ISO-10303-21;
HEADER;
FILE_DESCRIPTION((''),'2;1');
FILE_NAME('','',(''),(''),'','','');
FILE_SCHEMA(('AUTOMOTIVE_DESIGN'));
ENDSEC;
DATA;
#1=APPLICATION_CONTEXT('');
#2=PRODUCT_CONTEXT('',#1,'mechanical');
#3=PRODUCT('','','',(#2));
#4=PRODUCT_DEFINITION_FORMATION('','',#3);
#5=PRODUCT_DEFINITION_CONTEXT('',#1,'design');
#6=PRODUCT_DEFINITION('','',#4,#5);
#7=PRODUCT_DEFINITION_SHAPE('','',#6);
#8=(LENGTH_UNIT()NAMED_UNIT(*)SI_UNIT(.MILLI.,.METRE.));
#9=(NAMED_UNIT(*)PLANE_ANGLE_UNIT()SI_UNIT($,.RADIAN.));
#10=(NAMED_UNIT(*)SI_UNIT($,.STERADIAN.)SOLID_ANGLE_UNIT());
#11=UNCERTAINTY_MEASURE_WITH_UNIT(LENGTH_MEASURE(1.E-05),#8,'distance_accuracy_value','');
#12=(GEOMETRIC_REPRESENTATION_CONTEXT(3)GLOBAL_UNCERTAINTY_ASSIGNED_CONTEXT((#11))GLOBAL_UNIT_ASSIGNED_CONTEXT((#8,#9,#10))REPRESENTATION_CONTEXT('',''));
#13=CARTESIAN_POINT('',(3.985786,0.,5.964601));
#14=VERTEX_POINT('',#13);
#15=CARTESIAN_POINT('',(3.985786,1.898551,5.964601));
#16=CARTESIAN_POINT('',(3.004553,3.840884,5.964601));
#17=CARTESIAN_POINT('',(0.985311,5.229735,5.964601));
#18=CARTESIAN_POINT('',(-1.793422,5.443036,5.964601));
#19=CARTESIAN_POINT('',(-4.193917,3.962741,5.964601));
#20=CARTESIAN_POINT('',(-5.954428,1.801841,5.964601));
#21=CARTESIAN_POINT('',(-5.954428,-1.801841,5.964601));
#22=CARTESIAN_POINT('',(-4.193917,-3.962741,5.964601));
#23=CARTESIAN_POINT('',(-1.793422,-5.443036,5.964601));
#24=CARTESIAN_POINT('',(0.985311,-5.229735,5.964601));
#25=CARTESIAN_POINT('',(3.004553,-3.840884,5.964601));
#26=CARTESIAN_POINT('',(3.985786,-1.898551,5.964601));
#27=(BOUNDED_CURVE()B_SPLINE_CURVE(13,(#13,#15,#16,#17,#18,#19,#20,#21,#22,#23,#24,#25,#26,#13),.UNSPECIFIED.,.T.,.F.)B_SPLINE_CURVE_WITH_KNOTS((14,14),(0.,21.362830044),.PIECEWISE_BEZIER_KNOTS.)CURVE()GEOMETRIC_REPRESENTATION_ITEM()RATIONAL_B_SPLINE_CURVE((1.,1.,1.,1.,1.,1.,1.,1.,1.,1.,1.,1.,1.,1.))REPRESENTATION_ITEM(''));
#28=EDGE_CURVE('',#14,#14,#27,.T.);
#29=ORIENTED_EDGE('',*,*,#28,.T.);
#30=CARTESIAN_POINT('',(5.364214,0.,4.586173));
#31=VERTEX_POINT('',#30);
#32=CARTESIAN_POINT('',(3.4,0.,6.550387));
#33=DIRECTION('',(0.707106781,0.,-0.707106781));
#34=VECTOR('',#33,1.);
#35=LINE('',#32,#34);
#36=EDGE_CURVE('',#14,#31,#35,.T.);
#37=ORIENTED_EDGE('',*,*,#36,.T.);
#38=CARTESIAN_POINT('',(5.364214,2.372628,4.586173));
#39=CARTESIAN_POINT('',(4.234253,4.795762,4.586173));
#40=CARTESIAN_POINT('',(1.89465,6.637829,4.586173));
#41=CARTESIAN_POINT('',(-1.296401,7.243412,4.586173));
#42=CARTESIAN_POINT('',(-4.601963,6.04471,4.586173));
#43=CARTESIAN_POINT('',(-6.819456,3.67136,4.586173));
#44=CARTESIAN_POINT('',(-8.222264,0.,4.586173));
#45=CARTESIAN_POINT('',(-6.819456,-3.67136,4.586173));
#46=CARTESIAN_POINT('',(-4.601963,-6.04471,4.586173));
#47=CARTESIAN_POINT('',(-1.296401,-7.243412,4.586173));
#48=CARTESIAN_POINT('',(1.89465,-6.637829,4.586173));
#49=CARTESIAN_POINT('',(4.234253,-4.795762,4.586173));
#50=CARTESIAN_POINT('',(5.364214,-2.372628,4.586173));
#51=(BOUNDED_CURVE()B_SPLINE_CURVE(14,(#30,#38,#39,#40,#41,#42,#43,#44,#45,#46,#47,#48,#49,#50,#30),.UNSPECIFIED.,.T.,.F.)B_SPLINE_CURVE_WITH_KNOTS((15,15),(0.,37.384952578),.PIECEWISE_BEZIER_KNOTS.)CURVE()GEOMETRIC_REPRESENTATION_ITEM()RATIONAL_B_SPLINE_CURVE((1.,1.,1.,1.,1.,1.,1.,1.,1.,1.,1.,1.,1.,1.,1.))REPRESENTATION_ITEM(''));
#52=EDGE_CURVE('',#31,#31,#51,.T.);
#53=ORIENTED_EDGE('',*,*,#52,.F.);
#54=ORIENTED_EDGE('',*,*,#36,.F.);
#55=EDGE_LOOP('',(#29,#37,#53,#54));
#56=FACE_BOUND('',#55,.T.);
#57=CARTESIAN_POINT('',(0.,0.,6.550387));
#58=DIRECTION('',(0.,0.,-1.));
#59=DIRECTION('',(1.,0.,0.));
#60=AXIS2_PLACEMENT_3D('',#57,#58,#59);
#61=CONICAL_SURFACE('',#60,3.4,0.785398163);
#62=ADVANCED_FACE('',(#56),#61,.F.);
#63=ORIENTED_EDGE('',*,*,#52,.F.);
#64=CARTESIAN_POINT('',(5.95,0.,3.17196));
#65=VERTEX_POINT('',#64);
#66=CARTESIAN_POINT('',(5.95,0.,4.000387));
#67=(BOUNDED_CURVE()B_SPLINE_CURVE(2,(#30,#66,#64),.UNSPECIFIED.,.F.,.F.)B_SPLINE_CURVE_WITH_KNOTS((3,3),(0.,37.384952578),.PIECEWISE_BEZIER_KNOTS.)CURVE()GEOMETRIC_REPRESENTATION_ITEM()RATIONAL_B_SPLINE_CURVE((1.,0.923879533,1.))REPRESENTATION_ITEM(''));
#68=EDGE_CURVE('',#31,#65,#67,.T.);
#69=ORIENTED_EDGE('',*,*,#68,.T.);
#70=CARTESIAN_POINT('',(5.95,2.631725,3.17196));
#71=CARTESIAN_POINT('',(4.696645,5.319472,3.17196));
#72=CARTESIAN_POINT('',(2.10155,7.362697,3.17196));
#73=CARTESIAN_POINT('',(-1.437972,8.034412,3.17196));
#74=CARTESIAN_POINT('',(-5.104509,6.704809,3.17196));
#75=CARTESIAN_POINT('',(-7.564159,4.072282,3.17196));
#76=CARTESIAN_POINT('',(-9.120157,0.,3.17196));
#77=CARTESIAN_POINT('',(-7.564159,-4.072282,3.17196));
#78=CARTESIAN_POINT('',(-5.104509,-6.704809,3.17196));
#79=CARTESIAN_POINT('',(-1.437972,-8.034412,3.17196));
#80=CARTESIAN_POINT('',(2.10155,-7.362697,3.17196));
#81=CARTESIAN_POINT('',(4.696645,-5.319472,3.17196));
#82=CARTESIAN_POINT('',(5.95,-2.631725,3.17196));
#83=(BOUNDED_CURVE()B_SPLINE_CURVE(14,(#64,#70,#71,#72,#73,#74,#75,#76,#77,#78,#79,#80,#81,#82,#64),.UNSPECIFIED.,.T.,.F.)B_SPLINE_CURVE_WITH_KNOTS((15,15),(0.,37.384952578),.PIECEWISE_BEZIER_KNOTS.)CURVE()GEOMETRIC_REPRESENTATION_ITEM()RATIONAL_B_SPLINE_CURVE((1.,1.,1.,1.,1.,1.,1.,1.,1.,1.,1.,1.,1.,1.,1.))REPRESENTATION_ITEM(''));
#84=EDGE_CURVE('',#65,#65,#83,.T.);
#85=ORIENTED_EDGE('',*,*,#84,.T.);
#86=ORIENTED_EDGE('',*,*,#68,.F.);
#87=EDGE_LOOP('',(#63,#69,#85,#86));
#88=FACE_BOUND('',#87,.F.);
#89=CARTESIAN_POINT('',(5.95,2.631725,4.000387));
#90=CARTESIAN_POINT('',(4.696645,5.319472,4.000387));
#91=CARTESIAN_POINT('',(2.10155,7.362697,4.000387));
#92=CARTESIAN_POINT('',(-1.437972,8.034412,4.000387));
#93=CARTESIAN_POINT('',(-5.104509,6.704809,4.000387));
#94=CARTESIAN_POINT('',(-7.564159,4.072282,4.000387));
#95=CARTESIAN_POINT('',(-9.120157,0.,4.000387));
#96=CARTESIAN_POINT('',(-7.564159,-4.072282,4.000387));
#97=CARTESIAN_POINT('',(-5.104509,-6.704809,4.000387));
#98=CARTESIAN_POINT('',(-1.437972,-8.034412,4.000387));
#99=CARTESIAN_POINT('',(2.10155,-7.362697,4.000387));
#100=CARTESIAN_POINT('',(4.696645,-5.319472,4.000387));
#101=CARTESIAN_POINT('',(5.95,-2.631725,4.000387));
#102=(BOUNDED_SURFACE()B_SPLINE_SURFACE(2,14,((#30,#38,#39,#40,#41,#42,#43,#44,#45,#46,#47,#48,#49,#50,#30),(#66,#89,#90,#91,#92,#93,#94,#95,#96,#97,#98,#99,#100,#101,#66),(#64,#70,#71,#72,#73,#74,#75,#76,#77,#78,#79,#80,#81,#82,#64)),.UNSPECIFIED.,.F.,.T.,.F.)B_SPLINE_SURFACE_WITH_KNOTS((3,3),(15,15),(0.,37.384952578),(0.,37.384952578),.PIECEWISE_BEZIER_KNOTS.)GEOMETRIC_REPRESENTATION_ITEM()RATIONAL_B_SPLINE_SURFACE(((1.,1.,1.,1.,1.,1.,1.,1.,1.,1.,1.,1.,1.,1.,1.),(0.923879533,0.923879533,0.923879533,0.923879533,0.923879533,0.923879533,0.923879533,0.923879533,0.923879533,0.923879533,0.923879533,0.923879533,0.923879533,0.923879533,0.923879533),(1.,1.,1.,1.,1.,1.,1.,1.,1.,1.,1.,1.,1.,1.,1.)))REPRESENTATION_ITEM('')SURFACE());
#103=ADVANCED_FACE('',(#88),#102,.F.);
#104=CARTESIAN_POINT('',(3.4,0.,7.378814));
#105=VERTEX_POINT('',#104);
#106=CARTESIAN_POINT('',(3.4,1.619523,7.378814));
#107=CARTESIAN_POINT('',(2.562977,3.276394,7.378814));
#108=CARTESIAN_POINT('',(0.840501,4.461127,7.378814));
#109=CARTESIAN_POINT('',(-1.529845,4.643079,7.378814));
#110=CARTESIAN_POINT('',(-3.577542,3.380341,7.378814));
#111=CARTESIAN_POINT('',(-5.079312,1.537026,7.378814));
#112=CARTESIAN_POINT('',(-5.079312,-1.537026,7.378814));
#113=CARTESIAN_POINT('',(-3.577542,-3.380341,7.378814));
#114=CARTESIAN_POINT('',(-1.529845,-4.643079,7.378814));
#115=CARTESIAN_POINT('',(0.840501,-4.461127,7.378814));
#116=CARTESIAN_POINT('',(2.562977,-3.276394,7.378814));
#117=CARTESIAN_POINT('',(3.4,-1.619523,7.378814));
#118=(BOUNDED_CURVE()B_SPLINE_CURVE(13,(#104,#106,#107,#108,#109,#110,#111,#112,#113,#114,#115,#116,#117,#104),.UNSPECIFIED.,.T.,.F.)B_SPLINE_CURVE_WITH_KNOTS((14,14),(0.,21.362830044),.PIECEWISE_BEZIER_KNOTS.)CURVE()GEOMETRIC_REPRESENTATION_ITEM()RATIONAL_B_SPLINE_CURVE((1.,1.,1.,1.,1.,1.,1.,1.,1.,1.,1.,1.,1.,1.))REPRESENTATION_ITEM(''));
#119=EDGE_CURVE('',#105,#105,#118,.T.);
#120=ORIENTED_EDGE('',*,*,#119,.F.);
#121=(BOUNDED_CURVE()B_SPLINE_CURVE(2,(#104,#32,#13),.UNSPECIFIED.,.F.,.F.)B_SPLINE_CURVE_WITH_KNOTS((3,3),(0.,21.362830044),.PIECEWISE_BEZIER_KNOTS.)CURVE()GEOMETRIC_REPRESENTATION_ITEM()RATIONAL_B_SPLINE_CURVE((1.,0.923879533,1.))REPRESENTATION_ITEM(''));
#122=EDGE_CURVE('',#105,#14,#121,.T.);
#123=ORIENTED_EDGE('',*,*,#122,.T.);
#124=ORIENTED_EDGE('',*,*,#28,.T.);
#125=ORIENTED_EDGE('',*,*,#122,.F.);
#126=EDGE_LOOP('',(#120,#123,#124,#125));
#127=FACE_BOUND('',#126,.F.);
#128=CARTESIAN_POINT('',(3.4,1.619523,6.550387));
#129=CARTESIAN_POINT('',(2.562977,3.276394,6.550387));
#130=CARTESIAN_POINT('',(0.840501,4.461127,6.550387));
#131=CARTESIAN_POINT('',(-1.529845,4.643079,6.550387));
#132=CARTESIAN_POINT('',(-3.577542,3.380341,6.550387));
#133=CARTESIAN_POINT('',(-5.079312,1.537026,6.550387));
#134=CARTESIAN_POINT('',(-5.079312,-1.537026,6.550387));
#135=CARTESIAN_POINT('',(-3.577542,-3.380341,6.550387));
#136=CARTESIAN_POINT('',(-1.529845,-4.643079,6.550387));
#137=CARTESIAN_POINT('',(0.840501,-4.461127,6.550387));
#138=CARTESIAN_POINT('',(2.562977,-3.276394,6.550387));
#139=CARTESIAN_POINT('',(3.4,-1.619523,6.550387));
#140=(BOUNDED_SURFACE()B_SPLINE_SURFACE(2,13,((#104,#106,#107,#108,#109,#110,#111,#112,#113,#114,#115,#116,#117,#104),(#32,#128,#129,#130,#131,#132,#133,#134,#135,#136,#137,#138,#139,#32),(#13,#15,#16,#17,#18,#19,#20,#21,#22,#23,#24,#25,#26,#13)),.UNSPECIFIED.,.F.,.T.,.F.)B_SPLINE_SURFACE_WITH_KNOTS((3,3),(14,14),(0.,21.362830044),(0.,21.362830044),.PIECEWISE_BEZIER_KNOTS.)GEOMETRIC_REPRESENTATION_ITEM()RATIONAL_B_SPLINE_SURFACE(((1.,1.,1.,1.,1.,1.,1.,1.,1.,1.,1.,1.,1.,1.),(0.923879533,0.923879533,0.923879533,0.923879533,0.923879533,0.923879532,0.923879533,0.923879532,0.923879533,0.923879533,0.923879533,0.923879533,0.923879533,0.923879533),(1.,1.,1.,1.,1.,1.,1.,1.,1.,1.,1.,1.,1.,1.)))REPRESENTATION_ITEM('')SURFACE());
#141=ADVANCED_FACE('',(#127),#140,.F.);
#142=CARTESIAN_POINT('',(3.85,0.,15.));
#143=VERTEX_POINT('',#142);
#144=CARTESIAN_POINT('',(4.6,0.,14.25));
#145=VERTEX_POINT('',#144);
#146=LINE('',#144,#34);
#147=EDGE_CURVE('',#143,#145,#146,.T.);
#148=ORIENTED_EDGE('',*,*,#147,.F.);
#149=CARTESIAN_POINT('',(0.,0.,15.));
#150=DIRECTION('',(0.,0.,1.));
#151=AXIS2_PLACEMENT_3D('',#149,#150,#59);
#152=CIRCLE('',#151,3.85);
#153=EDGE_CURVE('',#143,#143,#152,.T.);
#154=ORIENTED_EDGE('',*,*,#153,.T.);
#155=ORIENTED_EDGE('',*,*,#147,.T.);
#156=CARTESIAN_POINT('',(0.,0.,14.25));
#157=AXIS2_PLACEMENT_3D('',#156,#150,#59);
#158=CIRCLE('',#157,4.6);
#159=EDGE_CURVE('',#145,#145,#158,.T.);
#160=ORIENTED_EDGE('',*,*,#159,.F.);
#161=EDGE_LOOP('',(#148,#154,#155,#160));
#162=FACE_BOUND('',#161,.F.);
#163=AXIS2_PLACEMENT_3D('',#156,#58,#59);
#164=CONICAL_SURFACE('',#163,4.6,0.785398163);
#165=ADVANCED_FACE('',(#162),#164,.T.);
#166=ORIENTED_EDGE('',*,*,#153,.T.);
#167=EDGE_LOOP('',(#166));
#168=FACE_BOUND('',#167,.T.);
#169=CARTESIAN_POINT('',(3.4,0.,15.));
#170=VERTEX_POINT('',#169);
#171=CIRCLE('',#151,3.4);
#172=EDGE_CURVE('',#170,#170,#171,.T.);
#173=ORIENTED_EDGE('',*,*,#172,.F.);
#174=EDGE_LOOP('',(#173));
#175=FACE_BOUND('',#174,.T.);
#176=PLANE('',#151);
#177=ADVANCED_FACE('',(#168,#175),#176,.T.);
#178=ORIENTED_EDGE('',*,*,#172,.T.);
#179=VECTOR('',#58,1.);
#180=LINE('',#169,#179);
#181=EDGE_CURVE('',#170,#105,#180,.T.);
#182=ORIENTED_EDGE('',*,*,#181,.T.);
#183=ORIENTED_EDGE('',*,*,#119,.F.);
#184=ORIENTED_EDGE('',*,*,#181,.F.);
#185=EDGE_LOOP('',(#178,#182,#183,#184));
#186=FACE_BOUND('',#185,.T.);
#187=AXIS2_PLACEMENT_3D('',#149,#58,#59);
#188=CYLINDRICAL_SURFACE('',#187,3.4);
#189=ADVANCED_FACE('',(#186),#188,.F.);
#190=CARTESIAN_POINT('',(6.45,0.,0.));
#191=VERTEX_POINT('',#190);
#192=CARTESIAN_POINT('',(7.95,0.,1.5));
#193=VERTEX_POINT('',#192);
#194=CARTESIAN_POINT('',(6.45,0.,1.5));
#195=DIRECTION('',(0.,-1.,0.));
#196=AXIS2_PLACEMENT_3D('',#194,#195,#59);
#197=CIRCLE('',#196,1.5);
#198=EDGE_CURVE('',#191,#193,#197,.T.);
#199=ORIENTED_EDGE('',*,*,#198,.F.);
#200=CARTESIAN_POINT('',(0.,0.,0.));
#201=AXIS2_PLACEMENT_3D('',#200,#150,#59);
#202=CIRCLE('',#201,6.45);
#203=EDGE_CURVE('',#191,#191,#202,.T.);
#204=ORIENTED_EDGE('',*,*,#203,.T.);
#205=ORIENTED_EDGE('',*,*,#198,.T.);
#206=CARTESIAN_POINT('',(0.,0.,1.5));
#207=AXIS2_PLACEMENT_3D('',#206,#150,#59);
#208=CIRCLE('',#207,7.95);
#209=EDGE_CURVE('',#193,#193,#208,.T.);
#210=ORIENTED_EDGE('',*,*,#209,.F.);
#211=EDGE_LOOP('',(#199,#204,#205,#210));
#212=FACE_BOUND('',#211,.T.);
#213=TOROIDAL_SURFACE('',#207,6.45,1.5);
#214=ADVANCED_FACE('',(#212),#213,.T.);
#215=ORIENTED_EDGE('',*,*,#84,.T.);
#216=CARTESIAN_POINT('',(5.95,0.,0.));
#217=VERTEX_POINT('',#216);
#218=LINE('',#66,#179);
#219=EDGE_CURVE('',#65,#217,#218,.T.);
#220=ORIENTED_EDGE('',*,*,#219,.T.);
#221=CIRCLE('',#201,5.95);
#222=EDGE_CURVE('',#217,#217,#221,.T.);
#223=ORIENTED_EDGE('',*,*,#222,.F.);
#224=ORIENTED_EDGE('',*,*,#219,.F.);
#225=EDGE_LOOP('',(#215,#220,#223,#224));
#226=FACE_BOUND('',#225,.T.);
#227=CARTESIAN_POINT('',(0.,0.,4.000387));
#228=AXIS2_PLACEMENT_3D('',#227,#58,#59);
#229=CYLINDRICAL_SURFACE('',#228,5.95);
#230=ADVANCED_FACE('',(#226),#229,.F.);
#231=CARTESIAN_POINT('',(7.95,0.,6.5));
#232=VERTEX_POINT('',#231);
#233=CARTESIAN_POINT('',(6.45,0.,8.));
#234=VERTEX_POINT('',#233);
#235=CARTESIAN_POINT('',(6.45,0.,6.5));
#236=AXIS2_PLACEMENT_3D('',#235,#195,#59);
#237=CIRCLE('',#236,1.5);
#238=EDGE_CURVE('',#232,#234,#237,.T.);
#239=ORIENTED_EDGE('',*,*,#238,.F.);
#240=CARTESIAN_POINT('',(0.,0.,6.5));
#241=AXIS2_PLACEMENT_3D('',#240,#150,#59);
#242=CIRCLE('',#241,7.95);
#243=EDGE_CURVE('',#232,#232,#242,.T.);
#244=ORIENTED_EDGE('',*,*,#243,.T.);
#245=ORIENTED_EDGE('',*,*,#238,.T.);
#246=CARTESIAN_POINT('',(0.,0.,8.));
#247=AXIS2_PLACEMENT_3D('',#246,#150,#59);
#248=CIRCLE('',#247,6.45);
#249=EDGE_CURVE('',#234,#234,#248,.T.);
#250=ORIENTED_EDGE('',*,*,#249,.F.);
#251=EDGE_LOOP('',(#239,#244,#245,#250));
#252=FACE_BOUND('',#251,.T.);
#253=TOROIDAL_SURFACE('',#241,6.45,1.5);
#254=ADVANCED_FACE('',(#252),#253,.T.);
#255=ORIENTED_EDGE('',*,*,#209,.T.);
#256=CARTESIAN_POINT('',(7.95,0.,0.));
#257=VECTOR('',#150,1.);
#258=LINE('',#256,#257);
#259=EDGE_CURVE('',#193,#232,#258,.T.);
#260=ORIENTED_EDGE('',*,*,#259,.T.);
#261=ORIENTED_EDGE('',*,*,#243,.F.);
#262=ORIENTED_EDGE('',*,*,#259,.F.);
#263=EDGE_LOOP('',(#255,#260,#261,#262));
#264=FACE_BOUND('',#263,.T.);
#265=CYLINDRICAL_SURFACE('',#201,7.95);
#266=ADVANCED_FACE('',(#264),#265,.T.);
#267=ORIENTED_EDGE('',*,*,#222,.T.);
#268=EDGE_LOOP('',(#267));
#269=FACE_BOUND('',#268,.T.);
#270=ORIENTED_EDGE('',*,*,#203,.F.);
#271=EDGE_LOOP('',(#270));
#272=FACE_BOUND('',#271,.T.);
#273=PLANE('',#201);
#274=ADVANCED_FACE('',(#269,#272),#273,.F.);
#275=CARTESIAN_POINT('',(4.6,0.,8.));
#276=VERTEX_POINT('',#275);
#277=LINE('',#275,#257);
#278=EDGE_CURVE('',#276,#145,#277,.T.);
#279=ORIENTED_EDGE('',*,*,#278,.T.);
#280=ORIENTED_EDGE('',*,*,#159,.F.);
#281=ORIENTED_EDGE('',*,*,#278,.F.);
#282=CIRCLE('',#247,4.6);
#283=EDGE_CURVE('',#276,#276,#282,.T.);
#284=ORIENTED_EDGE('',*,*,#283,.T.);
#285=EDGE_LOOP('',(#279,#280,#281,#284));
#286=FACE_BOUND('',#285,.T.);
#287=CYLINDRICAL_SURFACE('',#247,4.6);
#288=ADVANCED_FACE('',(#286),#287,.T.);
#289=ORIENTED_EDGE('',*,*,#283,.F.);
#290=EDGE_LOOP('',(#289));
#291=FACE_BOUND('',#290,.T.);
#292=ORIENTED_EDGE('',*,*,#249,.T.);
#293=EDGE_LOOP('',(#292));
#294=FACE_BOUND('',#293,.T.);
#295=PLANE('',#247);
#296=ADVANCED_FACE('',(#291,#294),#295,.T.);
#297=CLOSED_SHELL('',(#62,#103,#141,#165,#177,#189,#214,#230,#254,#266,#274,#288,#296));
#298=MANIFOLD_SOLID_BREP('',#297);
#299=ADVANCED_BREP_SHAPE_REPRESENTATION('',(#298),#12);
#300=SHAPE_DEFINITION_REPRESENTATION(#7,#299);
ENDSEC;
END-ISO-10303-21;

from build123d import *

# Parameters (mm, degrees)
F2_R    = 1.5
F3_SIZE = 0.75
F4_R    = 2


with BuildPart() as f1:
    # F0 (on Front) → F1 (revolve)
    with BuildSketch(Plane.XZ):
        Polygon((3.4, 8.050387), (3.4, 8), (4.6, 8), (4.6, 15), (3.4, 15), align=None)
        Polygon((3.4, 6.550387), (5.95, 4.000387), (5.95, 8), (4.6, 8), (3.4, 8), align=None)
        Polygon((5.95, 4.000387), (5.95, 0), (7.95, 0), (7.95, 8), (5.95, 8), align=None)
    revolve(axis=Axis((0, 0, 34.607098), (0, 0, 1)))

    # F2
    f2_edges = [f1.edges().sort_by_distance(p)[0] for p in [
        (-7.95, 0, 8),
        (-7.95, 0, 0),
    ]]
    fillet(f2_edges, radius=F2_R)

    # F3
    f3_edges = [f1.edges().sort_by_distance(p)[0] for p in [
        (-4.6, 0, 15),
    ]]
    chamfer(f3_edges, length=F3_SIZE)

    # F4
    f4_edges = [f1.edges().sort_by_distance(p)[0] for p in [
        (-3.4, 0, 6.550387),
        (-5.95, 0, 4.000387),
    ]]
    fillet(f4_edges, radius=F4_R)


solid = f1.part
